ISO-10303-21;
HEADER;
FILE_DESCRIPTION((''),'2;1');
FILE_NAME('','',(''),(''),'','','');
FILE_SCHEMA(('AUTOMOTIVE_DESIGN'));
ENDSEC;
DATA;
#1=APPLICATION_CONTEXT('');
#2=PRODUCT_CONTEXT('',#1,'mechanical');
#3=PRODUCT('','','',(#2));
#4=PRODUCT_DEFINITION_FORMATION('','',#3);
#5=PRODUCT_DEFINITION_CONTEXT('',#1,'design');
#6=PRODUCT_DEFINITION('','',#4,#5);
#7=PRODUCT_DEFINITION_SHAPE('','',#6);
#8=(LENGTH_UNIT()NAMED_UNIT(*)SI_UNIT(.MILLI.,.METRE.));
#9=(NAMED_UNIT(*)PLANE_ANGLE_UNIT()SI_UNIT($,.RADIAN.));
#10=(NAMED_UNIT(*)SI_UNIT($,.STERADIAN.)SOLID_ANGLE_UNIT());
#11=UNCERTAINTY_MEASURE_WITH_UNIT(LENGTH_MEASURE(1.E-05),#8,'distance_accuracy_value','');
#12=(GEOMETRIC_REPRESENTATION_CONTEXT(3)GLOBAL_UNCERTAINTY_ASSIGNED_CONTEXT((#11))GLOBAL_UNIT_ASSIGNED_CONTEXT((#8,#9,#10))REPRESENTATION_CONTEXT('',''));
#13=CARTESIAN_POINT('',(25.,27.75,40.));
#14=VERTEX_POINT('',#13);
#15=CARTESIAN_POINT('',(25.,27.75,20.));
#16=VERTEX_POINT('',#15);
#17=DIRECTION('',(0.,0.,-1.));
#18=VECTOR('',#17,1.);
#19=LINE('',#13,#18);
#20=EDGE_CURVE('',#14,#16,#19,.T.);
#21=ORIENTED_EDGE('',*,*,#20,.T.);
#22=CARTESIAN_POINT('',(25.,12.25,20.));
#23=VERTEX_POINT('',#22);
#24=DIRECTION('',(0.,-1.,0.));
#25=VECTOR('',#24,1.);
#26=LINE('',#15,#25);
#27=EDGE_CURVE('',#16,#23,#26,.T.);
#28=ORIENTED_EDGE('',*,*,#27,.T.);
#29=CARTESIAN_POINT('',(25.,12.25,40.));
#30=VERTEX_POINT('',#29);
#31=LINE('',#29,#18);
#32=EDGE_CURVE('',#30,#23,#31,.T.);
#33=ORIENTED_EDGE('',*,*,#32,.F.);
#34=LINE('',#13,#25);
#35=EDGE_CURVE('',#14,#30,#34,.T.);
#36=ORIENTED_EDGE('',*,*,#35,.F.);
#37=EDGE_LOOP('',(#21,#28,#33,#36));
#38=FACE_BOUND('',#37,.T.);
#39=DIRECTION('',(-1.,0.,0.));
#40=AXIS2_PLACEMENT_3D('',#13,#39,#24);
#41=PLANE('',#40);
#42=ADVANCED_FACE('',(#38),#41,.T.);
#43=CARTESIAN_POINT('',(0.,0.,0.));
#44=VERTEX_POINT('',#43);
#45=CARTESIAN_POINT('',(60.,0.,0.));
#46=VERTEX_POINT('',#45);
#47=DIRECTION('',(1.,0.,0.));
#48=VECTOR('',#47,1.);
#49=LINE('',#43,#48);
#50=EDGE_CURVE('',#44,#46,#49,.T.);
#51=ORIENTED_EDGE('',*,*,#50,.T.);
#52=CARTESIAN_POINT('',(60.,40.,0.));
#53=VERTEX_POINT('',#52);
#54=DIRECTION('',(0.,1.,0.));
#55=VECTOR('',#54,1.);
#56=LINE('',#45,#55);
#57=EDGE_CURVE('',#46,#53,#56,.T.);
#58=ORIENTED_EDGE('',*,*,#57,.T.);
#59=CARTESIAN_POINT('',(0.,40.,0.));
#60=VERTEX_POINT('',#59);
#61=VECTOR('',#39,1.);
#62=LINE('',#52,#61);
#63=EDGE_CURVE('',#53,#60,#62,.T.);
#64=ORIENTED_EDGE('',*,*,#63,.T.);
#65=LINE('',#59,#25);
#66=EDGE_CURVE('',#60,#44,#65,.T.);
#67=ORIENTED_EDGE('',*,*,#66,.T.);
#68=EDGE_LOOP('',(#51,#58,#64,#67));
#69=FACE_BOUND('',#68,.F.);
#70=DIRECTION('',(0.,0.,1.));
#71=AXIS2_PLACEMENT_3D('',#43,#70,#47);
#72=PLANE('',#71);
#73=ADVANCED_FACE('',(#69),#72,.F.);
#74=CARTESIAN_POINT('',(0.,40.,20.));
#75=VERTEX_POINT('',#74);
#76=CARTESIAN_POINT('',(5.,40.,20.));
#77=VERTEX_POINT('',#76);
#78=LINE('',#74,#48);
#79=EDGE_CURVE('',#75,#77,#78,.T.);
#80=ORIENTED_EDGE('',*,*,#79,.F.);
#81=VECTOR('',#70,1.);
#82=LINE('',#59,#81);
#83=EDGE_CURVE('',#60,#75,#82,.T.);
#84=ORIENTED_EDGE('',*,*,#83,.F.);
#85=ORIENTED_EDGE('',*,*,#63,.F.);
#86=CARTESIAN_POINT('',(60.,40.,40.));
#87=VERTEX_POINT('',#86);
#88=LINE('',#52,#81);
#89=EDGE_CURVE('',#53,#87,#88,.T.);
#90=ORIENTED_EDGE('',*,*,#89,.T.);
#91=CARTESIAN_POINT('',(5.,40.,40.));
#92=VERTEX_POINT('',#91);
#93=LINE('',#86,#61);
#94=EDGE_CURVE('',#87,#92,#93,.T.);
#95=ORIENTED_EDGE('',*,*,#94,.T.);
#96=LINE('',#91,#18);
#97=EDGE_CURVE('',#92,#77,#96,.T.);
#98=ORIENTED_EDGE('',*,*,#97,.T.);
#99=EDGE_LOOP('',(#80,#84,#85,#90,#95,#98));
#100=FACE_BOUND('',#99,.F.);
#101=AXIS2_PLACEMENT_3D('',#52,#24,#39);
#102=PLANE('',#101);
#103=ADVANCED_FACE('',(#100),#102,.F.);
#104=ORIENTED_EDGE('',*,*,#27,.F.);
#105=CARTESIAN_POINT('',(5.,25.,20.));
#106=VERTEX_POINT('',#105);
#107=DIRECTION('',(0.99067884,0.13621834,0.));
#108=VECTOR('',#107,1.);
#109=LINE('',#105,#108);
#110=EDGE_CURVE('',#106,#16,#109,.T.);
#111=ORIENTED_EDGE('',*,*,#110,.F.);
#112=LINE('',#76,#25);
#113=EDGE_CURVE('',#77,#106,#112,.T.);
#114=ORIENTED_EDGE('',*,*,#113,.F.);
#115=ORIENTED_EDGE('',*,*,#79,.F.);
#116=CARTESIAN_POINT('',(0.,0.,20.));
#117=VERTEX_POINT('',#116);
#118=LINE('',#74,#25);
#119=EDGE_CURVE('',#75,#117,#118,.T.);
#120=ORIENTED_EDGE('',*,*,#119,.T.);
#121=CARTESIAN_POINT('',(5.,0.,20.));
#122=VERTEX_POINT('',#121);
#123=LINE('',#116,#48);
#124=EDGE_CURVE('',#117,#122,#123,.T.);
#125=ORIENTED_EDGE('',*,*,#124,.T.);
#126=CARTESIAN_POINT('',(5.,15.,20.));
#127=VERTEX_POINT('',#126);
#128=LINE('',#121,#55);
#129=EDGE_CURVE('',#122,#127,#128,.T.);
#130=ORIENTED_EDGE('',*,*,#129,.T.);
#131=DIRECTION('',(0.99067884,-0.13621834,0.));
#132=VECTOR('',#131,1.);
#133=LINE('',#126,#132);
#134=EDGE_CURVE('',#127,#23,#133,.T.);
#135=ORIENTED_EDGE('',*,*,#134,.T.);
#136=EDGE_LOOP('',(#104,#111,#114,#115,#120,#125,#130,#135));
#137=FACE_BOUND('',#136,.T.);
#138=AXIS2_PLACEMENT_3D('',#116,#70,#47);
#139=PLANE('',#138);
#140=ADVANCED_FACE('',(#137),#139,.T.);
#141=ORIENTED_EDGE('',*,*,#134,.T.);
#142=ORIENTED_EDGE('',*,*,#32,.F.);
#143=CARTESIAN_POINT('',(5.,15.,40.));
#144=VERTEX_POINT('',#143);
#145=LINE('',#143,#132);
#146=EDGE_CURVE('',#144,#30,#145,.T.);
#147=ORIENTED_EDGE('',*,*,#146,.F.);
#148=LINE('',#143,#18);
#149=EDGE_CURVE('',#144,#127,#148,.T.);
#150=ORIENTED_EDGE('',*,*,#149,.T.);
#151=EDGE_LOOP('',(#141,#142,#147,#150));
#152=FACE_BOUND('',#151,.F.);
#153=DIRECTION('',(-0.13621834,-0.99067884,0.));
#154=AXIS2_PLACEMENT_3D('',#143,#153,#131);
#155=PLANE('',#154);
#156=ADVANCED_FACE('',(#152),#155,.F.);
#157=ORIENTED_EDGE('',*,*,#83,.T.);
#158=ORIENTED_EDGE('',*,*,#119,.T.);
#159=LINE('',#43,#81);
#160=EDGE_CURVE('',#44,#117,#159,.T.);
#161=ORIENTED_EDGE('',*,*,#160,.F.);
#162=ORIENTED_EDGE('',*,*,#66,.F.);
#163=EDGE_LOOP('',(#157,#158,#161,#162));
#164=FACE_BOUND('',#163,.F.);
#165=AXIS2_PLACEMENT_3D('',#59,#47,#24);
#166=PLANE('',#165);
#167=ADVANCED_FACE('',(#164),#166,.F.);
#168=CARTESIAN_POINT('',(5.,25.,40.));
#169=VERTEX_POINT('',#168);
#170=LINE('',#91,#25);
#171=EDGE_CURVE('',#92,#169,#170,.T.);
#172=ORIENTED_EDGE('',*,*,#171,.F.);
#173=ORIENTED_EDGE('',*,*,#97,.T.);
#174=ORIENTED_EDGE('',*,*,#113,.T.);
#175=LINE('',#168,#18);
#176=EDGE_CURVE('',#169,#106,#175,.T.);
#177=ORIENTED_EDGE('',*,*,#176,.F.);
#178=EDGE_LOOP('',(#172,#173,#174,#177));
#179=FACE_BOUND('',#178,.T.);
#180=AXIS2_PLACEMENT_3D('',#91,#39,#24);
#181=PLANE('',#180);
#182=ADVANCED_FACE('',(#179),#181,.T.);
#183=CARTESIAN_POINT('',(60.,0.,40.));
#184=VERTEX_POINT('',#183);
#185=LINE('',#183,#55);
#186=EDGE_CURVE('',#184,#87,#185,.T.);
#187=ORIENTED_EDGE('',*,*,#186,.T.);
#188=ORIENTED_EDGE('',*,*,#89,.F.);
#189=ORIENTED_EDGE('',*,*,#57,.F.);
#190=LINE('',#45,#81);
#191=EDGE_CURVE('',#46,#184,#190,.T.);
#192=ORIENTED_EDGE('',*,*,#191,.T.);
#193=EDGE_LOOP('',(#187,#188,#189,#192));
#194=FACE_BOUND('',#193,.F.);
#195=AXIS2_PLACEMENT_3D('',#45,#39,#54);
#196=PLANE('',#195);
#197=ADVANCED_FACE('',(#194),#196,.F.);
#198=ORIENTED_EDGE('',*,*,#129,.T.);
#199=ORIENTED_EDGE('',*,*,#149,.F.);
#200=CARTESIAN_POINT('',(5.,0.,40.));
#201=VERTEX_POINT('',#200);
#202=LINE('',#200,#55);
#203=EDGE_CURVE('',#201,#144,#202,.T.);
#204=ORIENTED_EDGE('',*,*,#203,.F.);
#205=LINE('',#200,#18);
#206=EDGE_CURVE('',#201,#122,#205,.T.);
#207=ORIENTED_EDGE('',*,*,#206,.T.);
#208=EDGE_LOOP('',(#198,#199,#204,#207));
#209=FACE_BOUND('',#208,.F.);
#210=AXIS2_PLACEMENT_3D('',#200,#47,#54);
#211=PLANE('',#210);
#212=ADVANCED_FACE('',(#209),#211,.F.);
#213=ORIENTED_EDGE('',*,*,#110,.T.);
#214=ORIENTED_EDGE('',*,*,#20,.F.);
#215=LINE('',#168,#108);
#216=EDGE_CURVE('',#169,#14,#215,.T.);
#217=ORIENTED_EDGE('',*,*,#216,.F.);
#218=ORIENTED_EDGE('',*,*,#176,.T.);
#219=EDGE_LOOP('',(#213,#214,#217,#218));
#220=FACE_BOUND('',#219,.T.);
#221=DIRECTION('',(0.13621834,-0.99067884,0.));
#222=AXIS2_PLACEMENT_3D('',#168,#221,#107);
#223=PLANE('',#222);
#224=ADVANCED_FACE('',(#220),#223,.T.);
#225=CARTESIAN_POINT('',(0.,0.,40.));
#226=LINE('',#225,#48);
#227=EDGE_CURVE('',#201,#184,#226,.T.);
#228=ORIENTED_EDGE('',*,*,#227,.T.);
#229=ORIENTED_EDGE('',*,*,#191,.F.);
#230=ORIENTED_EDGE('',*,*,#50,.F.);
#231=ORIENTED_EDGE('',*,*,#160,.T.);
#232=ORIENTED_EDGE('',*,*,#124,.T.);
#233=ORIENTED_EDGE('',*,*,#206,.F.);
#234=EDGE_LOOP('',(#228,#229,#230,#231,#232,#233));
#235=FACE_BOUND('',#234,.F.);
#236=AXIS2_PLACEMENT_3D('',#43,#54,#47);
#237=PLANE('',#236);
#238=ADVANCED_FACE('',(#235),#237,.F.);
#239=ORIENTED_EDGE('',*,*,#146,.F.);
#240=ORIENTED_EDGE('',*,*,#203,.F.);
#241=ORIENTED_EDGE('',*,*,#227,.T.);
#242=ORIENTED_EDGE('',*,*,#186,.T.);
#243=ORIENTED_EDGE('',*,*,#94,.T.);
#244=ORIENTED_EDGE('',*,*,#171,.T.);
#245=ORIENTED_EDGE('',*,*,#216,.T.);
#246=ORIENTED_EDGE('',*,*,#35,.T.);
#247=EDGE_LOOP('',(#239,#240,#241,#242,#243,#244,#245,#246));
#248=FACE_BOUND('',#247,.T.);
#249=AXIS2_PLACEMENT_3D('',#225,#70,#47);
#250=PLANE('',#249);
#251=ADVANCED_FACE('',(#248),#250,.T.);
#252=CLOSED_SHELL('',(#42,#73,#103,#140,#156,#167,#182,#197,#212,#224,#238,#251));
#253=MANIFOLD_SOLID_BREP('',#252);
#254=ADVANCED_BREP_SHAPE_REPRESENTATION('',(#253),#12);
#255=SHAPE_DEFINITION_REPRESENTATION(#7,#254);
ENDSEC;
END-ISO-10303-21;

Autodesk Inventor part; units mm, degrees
ref_plane "YZ Plane" through (0, 0, 0) normal (1, 0, 0) x (0, 1, 0)
ref_plane "XZ Plane" through (0, 0, 0) normal (0, 1, 0) x (-1, 0, 0)
ref_plane "XY Plane" through (0, 0, 0) normal (0, 0, 1) x (1, 0, 0)
sketch "Boceto1" plane through (0, 0, 0) normal (0, 0, 1) x (1, 0, 0)
  line L0 (0, 0) -> (60, 0)
  line L1 (60, 0) -> (60, 40)
  line L2 (60, 40) -> (0, 40)
  line L3 (0, 40) -> (0, 0)
  dimension "d0" = 60
  dimension "d1" = 40
extrude "Extrusión1" add sketch "Boceto1" along normal blind 40
sketch "Boceto2" plane through (0, 0, 40) normal (0, 0, 1) x (1, 0, 0)
  line L0 (0, 40) -> (0, 0) projected
  line L1 (0, 0) -> (5, 0)
  line L2 (0, 0) -> (0, 40)
  line L3 (0, 40) -> (5, 40)
  line L4 (5, 0) -> (5, 15)
  line L5 (0, 0) -> (60, 0) projected
  line L6 (5, 0) -> (20, 0) construction
  line L7 (5, 40) -> (5, 25)
  line L8 (60, 40) -> (0, 40) projected
  line L9 (5, 40) -> (20, 40) construction
  line L10 (5, 40) -> (25, 40) construction
  line L11 (25, 40) -> (25, 27.75) construction
  line L12 (25, 40) -> (37.25, 40) construction
  line L13 (5, 0) -> (25, 0) construction
  line L14 (25, 0) -> (25, 12.25) construction
  line L15 (5, 25) -> (25, 27.75)
  line L16 (5, 15) -> (25, 12.25)
  line L17 (25, 27.75) -> (25, 12.25)
  dimension "d4" = 5
  dimension "d5" = 40
  dimension "d6" = 5
  dimension "d7" = 15
  dimension "d8" = 90
  dimension "d9" = 15
  dimension "d10" = 90
  dimension "d11" = 20
  dimension "d12" = 12.25
  dimension "d13" = 90
  dimension "d14" = 20
  dimension "d15" = 12.25
  dimension "d16" = 90
extrude "Extrusión2" cut sketch "Boceto2" against normal blind 20
equation "\"d4\" = Espesor_corte"
equation "\"d6\" = Espesor_corte"
equation "\"Espesor_corte\" = 5"
equation "\"Angulo_0\" = 0"
equation "\"Angulo_90\" = 90deg"
properties part number "Hembra_parametrizada"
